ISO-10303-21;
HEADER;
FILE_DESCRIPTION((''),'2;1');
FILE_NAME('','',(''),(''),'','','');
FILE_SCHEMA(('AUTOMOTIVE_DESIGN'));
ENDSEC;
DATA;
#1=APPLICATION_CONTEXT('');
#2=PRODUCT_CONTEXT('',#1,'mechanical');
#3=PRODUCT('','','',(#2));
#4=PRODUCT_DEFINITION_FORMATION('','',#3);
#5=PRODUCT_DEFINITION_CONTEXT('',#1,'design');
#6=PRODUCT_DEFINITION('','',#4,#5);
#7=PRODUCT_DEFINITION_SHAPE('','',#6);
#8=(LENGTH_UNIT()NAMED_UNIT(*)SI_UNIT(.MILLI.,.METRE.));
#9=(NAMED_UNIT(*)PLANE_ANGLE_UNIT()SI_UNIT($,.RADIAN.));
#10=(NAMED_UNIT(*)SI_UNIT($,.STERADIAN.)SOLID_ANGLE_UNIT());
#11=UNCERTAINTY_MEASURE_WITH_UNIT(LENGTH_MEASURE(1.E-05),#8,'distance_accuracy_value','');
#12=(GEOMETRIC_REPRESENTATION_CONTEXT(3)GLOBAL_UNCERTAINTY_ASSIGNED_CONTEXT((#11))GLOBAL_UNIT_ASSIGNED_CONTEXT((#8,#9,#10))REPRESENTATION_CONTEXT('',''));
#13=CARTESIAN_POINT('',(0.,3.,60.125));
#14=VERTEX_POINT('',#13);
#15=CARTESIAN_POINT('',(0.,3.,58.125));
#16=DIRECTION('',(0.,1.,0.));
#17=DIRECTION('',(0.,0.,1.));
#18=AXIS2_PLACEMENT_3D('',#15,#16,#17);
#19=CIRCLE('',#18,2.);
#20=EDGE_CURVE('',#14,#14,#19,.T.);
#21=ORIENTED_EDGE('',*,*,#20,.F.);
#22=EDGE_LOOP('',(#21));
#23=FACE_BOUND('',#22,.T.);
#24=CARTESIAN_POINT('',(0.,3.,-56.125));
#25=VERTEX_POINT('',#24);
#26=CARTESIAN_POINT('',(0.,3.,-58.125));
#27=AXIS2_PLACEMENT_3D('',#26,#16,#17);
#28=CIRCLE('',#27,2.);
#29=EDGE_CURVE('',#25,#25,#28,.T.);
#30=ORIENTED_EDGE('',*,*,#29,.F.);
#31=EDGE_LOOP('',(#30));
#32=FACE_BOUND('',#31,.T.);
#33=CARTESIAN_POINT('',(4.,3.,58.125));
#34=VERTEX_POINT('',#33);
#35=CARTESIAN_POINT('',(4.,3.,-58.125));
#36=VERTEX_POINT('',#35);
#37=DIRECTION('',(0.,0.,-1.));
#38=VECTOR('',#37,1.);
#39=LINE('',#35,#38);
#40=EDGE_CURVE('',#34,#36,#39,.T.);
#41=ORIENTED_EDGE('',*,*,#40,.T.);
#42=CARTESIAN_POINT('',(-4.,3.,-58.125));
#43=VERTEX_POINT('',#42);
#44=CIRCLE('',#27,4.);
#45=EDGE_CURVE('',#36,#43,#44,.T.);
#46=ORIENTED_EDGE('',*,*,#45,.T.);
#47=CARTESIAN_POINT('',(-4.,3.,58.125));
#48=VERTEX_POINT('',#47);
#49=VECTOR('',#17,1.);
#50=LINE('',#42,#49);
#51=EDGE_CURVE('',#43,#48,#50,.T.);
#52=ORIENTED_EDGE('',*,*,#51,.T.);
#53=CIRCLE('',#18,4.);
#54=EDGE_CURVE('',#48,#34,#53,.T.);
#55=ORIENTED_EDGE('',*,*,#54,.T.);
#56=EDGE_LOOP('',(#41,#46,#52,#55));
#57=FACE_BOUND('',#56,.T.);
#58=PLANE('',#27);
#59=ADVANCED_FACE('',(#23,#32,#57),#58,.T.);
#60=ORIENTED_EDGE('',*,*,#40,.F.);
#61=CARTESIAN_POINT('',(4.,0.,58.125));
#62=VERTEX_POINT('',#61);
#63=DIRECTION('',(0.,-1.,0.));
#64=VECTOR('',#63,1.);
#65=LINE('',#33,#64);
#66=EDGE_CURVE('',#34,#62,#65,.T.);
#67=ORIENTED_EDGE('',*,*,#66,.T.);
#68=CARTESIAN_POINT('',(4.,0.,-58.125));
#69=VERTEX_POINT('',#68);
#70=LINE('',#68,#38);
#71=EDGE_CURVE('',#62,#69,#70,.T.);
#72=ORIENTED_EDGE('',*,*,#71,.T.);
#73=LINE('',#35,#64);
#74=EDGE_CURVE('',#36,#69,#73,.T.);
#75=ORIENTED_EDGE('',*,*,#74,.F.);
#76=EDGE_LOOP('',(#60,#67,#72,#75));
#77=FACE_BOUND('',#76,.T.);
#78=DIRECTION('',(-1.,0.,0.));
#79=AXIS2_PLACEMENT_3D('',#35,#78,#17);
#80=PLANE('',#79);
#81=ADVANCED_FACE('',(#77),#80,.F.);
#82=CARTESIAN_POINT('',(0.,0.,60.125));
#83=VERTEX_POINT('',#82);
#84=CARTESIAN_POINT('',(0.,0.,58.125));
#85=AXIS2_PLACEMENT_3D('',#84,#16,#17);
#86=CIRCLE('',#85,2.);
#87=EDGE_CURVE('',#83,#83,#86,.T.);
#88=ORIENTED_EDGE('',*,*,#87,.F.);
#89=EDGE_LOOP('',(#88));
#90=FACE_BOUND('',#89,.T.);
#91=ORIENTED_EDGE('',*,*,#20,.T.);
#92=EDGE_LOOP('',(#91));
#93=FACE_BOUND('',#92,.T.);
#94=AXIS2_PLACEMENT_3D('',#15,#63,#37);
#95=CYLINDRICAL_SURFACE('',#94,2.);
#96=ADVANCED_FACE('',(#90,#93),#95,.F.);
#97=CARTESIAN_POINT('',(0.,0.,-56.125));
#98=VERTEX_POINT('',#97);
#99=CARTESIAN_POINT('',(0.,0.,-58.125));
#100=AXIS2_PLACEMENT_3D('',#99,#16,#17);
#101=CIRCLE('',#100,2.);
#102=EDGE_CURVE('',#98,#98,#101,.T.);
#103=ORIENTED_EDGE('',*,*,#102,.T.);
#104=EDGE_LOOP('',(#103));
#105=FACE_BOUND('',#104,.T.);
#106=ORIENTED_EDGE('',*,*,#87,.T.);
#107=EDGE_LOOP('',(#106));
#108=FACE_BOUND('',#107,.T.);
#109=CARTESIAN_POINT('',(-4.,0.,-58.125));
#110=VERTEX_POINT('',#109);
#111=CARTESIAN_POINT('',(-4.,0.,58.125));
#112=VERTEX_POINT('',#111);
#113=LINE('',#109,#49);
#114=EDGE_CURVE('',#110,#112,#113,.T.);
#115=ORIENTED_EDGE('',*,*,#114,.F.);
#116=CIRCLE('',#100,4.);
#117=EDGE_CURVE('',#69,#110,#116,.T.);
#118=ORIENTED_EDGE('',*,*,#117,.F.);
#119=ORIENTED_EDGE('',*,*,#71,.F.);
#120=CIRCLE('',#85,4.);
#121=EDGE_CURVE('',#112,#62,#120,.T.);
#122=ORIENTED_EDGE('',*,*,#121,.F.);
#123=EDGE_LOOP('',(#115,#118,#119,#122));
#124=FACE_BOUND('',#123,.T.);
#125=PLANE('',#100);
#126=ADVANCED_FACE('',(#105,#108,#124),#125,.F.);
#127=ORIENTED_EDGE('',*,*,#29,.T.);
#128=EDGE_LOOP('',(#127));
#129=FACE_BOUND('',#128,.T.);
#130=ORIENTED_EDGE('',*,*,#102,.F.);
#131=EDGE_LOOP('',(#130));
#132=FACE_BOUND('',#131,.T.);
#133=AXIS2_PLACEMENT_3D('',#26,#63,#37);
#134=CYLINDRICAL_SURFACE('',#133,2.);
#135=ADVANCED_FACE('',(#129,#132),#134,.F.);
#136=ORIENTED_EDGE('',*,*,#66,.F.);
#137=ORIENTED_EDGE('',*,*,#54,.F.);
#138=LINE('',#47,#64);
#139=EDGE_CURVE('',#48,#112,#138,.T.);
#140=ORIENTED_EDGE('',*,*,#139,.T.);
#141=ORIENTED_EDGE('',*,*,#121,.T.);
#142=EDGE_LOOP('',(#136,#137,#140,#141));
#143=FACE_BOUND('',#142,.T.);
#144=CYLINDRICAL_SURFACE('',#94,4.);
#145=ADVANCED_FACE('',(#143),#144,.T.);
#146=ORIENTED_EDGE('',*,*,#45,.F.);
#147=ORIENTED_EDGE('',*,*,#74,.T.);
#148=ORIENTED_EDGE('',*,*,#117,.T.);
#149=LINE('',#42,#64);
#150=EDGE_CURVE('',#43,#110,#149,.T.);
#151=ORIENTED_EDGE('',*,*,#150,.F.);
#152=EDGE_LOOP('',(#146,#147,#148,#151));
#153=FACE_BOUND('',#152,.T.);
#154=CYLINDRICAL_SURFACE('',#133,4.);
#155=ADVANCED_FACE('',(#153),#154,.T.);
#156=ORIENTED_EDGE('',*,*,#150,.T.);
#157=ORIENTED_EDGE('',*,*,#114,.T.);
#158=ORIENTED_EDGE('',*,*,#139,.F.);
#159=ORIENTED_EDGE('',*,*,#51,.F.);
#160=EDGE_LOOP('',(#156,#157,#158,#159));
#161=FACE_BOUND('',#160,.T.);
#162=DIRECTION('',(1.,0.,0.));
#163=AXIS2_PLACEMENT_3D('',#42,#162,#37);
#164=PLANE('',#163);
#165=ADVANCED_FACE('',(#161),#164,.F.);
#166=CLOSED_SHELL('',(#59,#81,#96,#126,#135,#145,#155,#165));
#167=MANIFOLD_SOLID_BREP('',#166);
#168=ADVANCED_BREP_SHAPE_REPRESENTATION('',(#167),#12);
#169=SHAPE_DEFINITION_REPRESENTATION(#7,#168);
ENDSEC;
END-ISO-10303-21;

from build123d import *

# Parameters (mm, degrees)
SKETCH1_R           = 2
BOSS_EXTRUDE1_DEPTH = 3


with BuildPart() as part:
    # Sketch1 → Boss-Extrude1 (new body)
    with BuildSketch(Plane(origin=(0, 0, 0), x_dir=(1, 0, 0), z_dir=(0, 1, 0))):
        with BuildLine():
            Line((4, 58.125), (4, -58.125))
            ThreePointArc((4, -58.125), (0, -62.125), (-4, -58.125))
            Line((-4, -58.125), (-4, 58.125))
            ThreePointArc((-4, 58.125), (0, 62.125), (4, 58.125))
        make_face()
        with Locations((0, 58.125)):
            Circle(SKETCH1_R, mode=Mode.SUBTRACT)
        with Locations((0, -58.125)):
            Circle(SKETCH1_R, mode=Mode.SUBTRACT)
    extrude(amount=BOSS_EXTRUDE1_DEPTH)


solid = part.part
